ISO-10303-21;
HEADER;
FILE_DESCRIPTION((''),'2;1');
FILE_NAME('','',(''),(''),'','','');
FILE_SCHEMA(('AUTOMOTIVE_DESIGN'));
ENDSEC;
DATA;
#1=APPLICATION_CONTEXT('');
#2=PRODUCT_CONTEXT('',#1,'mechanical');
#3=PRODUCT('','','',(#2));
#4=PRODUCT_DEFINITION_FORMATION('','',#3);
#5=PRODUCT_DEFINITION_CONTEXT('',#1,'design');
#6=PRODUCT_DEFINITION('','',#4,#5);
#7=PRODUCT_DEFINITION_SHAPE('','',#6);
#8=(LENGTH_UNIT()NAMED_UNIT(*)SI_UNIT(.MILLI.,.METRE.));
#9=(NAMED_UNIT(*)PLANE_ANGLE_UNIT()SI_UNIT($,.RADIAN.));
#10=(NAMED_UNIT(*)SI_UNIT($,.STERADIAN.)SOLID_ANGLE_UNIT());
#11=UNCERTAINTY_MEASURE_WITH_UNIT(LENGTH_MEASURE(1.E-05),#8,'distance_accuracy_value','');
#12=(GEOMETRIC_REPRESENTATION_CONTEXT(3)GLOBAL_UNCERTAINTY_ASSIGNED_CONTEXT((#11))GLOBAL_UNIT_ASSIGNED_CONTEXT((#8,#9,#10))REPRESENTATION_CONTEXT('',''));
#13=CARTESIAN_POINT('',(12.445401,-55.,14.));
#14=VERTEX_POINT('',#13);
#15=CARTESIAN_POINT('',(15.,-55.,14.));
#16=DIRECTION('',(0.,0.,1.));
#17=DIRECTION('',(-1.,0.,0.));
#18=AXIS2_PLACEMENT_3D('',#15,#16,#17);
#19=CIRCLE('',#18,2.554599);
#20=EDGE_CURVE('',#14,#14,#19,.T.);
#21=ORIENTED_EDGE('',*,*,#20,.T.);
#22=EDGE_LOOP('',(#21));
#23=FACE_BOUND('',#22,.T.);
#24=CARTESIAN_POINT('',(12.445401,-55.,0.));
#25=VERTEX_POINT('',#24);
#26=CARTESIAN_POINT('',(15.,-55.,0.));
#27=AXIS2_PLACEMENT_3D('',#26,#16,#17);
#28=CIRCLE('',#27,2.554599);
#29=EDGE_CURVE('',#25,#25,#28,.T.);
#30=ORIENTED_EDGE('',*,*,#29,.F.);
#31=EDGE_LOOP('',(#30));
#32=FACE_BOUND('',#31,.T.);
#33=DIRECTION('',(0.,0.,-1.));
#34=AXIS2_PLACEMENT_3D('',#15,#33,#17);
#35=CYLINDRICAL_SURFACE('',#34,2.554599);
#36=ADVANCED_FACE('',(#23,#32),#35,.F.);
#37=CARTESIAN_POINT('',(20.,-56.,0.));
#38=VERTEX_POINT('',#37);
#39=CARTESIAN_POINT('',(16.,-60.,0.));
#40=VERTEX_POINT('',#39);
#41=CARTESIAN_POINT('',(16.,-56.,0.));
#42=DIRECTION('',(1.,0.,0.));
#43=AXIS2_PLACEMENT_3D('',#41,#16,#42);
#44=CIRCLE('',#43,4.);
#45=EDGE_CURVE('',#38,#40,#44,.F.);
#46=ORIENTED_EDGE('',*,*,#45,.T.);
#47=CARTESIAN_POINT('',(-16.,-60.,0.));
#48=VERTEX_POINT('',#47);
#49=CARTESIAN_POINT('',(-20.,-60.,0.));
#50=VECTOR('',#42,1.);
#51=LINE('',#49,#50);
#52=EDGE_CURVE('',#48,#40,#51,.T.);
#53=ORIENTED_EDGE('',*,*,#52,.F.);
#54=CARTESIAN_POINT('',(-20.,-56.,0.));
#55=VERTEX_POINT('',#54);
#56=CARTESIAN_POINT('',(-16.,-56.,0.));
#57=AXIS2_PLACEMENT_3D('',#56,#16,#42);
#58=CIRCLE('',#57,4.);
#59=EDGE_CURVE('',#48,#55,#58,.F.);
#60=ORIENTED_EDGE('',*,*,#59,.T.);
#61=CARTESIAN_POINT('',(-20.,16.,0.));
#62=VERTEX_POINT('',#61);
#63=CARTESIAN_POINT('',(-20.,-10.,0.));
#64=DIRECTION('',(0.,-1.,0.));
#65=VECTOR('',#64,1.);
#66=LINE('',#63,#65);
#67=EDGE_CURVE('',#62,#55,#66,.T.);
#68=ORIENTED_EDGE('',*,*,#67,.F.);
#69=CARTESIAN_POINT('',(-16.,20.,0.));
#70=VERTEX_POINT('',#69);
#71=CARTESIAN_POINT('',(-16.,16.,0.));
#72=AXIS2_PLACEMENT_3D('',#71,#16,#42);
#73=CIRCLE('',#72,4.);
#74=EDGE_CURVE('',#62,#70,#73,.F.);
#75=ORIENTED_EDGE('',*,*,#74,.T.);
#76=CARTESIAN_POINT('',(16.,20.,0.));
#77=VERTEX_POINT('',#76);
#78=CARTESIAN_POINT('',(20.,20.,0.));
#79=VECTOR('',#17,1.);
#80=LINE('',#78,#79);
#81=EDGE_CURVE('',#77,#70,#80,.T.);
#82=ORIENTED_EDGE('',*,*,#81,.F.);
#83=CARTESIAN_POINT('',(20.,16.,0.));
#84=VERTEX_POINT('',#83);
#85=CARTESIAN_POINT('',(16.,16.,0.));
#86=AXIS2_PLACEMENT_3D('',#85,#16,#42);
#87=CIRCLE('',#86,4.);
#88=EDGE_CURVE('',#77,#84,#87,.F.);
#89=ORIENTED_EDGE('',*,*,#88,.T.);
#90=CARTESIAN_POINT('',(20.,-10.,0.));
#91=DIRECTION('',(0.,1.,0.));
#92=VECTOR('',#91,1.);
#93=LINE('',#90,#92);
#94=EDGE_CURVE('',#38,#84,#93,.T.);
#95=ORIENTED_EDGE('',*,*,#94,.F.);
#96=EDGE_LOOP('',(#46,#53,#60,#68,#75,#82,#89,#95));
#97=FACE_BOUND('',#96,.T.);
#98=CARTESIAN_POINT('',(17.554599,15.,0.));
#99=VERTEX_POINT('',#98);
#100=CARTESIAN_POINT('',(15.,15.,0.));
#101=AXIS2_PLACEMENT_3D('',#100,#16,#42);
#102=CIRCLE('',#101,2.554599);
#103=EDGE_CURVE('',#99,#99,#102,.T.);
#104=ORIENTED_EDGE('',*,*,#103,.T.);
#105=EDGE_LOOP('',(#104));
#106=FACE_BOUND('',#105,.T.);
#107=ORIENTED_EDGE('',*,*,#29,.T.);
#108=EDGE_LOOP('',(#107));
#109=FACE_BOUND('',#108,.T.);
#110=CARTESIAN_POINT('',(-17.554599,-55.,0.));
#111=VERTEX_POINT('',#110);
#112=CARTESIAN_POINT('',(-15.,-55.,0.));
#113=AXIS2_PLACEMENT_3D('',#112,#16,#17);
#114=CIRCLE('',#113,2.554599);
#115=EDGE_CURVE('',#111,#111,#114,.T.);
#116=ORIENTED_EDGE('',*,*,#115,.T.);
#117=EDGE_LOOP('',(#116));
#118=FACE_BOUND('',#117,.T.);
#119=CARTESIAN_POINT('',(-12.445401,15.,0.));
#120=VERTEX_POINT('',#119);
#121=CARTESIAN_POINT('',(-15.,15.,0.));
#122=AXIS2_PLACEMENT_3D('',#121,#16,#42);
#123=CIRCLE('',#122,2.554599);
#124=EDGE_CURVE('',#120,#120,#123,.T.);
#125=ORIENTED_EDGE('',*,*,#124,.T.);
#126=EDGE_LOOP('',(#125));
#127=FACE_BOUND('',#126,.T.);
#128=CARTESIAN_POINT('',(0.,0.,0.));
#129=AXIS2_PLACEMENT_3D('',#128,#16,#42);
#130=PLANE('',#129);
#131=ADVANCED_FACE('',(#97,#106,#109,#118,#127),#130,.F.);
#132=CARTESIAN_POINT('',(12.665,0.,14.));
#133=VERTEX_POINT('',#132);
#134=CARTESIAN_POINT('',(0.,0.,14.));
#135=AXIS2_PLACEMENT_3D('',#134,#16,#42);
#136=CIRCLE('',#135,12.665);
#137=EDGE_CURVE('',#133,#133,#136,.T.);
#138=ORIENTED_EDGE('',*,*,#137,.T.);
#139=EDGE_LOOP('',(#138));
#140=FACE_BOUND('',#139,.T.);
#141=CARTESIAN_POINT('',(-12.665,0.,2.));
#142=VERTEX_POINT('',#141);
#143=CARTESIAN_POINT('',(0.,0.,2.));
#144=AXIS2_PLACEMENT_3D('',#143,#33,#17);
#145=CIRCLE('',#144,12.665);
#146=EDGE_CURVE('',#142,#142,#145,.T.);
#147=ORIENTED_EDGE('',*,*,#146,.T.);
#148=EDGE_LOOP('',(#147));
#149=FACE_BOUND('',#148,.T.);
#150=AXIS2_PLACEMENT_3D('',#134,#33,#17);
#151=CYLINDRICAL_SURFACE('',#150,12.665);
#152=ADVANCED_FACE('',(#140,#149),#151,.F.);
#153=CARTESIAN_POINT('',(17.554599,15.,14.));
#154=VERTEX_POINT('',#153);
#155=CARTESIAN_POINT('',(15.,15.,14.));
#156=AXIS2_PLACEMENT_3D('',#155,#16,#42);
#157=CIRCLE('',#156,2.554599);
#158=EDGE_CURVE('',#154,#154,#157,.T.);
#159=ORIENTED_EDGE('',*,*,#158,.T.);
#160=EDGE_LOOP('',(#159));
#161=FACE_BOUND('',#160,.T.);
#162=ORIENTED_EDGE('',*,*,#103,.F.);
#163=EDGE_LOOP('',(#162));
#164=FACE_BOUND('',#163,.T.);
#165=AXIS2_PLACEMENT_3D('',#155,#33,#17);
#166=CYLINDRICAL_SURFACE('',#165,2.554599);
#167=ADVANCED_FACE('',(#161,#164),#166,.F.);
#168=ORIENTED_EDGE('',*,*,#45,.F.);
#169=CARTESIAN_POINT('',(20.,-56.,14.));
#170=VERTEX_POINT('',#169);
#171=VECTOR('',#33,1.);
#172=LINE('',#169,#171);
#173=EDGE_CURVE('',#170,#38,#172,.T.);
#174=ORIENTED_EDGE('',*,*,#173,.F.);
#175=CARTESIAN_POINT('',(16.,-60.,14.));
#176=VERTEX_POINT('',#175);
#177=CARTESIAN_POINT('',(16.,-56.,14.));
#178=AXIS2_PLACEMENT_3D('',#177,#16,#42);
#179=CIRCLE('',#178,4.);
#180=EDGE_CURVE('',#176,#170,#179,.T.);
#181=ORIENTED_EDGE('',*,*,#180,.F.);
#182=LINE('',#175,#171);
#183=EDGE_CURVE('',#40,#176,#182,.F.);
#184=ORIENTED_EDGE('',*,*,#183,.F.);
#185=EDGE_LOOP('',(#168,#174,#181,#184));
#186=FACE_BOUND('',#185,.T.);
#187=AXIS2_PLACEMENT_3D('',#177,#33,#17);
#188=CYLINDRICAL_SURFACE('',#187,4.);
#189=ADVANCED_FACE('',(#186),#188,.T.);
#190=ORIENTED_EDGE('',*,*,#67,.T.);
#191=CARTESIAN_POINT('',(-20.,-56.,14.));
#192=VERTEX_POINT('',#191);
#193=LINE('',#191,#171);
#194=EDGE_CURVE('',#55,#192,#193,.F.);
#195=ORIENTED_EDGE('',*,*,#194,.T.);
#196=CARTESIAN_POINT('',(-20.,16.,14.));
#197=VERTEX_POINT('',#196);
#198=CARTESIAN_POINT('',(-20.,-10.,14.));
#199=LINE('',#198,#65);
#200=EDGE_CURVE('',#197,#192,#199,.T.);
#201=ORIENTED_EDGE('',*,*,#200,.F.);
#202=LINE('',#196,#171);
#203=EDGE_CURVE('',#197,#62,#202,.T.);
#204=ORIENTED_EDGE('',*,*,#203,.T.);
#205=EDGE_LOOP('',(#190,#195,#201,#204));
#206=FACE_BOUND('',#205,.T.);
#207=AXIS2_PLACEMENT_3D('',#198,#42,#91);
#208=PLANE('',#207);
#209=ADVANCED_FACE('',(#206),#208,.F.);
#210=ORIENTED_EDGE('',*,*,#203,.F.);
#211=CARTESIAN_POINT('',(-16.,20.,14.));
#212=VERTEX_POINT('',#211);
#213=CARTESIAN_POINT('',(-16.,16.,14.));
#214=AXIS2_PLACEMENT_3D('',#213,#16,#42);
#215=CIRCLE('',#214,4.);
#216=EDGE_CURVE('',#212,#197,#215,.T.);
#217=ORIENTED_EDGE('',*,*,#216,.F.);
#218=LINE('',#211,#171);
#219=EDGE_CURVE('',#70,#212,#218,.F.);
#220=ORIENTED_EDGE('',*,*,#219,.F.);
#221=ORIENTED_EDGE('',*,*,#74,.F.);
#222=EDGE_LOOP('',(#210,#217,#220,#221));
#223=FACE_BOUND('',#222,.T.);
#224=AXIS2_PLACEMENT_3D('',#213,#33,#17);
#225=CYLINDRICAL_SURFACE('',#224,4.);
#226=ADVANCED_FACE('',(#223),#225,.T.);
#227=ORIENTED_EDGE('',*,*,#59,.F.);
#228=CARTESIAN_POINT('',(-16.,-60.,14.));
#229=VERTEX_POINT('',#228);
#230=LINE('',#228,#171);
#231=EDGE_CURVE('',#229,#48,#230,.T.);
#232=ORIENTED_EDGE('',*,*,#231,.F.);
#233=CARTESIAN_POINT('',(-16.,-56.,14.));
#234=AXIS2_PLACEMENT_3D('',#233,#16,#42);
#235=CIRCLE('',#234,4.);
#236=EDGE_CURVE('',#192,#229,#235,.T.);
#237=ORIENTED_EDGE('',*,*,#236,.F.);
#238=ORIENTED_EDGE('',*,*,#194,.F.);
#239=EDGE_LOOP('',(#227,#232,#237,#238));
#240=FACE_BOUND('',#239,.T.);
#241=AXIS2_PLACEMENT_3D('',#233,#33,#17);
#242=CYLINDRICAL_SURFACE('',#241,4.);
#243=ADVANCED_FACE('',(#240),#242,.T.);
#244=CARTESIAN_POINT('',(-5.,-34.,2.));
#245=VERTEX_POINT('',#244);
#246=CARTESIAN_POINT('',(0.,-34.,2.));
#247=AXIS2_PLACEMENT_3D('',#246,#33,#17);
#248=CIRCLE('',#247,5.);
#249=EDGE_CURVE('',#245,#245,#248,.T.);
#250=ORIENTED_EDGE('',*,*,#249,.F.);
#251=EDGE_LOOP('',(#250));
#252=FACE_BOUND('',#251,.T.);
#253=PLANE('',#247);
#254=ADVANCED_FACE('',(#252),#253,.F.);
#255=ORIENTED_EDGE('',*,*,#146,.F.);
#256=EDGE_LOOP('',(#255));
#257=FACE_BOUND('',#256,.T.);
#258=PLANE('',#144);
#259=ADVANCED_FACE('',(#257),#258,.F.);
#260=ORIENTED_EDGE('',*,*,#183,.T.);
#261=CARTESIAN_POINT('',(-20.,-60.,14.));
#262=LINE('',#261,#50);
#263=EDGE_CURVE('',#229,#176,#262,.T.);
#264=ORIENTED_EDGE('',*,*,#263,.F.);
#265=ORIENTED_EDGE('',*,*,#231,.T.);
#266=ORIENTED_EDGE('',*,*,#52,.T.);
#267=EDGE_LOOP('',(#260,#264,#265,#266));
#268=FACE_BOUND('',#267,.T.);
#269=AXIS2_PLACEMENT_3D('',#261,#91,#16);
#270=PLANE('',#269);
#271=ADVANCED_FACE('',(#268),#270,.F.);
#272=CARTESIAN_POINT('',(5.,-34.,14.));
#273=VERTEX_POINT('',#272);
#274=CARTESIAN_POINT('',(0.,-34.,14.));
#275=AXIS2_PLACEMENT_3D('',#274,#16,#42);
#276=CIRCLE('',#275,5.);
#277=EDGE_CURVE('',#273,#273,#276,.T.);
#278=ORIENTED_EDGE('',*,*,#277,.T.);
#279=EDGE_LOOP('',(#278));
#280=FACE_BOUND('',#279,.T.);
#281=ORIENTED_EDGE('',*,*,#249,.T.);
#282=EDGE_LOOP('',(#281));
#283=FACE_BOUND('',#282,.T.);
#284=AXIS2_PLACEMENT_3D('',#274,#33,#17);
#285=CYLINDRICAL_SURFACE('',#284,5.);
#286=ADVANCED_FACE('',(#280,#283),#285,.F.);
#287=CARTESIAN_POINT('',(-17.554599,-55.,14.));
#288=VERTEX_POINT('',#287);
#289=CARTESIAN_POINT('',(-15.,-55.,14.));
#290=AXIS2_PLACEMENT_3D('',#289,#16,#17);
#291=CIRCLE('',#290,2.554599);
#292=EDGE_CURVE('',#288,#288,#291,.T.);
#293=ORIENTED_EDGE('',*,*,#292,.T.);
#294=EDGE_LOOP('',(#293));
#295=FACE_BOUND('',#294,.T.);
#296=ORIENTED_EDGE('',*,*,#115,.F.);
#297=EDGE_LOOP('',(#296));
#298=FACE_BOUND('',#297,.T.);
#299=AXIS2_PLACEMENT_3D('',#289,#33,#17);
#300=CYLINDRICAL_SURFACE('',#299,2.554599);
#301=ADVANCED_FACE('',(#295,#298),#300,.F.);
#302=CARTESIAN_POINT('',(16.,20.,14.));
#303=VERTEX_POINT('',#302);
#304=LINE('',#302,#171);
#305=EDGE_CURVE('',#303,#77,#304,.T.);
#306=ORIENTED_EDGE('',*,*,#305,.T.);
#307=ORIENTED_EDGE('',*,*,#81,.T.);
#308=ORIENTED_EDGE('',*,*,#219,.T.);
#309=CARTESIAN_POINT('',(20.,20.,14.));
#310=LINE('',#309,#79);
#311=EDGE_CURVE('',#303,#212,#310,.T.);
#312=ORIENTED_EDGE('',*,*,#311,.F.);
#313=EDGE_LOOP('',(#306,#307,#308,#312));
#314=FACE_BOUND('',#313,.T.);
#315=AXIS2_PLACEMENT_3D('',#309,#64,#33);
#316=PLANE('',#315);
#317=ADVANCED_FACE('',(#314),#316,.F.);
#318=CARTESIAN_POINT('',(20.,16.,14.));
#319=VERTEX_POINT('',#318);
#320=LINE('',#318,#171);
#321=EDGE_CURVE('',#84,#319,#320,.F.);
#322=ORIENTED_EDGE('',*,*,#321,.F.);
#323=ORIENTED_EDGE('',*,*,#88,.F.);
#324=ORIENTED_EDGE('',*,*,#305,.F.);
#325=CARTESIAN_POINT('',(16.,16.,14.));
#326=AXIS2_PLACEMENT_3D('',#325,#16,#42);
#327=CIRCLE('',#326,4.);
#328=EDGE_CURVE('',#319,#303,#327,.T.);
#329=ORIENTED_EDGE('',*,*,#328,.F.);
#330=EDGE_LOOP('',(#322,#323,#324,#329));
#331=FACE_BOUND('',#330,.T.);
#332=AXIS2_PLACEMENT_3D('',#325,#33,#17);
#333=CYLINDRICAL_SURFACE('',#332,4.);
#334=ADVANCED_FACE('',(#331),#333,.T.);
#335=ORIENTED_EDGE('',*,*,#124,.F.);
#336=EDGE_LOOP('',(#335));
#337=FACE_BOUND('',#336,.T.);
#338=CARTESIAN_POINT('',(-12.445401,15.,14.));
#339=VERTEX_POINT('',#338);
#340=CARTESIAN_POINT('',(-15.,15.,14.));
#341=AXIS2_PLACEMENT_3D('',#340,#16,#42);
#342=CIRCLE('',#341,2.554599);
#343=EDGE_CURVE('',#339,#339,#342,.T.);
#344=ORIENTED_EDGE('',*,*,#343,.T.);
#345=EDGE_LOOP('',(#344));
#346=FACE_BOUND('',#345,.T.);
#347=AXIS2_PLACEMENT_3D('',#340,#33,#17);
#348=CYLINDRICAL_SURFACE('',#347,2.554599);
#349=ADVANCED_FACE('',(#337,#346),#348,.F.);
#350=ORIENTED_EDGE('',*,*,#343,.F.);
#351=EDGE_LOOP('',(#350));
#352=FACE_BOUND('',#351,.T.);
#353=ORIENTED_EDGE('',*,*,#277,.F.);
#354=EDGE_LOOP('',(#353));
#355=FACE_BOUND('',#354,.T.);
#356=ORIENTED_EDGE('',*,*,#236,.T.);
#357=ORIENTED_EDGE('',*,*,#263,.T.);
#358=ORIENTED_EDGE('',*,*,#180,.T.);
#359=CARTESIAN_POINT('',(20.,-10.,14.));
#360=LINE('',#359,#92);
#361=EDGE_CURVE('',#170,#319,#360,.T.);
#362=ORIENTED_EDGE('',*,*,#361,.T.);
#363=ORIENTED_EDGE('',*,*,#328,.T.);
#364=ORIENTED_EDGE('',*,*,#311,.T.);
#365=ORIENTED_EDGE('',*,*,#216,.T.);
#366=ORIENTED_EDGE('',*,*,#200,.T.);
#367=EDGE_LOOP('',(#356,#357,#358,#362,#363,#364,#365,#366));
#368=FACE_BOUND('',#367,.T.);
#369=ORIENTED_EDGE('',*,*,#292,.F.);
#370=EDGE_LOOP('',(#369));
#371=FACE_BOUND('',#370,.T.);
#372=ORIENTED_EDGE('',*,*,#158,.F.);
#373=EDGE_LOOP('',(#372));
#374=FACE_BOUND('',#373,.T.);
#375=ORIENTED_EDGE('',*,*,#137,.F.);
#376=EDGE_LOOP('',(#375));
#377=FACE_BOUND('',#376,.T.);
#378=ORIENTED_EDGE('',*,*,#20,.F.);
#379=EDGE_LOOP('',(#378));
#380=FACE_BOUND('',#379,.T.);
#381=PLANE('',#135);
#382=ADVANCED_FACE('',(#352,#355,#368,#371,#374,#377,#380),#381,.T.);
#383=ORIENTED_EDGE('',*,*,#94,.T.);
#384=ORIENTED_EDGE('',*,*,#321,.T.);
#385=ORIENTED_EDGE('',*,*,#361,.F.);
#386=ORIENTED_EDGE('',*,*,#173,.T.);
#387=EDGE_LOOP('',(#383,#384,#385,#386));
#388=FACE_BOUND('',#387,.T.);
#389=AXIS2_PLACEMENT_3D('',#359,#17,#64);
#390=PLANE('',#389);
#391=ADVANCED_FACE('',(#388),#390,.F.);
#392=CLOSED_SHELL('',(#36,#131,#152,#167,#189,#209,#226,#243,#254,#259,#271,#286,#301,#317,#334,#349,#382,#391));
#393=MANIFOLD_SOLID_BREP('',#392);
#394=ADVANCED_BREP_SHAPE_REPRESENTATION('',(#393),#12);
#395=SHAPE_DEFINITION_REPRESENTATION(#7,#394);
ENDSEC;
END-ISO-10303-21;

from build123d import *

# Parameters (mm, degrees)
SKETCH1_R           = 12.665
SKETCH1_R_2         = 2.554599
SKETCH1_R_3         = 5
BOSS_EXTRUDE1_DEPTH = 14
FILLET1_R           = 4
SKETCH9_R           = 12.665
BOSS_EXTRUDE2_DEPTH = 2
SKETCH11_R          = 7.5
BOSS_EXTRUDE3_DEPTH = 2


with BuildPart() as part:
    # Sketch1 → Boss-Extrude1 (new body)
    with BuildSketch(Plane.XY):
        Polygon((20, -10), (20, 20), (-20, 20), (-20, -10), (-20, -60), (20, -60), align=None)
        Circle(SKETCH1_R, mode=Mode.SUBTRACT)
        with Locations((-15, 15)):
            Circle(SKETCH1_R_2, mode=Mode.SUBTRACT)
        with Locations((15, 15)):
            Circle(SKETCH1_R_2, mode=Mode.SUBTRACT)
        with Locations((-15, -55)):
            Circle(SKETCH1_R_2, mode=Mode.SUBTRACT)
        with Locations((15, -55)):
            Circle(SKETCH1_R_2, mode=Mode.SUBTRACT)
        with Locations((0, -34)):
            Circle(SKETCH1_R_3, mode=Mode.SUBTRACT)
    extrude(amount=BOSS_EXTRUDE1_DEPTH)

    # Fillet1
    fillet1_edges = [part.edges().sort_by_distance(p)[0] for p in [
        (-20, 20, 7),
        (20, 20, 7),
        (20, -60, 7),
        (-20, -60, 7),
    ]]
    fillet(fillet1_edges, radius=FILLET1_R)

    # Sketch9 → Boss-Extrude2 (add)
    with BuildSketch(Plane(origin=(0, 0, 0), x_dir=(-1, 0, 0), z_dir=(0, 0, -1))):
        Circle(SKETCH9_R)
    extrude(amount=-BOSS_EXTRUDE2_DEPTH)

    # Sketch11 → Boss-Extrude3 (add)
    with BuildSketch(Plane(origin=(0, 0, 0), x_dir=(-1, 0, 0), z_dir=(0, 0, -1))):
        with Locations((0, -34)):
            Circle(SKETCH11_R)
    extrude(amount=-BOSS_EXTRUDE3_DEPTH)


solid = part.part
